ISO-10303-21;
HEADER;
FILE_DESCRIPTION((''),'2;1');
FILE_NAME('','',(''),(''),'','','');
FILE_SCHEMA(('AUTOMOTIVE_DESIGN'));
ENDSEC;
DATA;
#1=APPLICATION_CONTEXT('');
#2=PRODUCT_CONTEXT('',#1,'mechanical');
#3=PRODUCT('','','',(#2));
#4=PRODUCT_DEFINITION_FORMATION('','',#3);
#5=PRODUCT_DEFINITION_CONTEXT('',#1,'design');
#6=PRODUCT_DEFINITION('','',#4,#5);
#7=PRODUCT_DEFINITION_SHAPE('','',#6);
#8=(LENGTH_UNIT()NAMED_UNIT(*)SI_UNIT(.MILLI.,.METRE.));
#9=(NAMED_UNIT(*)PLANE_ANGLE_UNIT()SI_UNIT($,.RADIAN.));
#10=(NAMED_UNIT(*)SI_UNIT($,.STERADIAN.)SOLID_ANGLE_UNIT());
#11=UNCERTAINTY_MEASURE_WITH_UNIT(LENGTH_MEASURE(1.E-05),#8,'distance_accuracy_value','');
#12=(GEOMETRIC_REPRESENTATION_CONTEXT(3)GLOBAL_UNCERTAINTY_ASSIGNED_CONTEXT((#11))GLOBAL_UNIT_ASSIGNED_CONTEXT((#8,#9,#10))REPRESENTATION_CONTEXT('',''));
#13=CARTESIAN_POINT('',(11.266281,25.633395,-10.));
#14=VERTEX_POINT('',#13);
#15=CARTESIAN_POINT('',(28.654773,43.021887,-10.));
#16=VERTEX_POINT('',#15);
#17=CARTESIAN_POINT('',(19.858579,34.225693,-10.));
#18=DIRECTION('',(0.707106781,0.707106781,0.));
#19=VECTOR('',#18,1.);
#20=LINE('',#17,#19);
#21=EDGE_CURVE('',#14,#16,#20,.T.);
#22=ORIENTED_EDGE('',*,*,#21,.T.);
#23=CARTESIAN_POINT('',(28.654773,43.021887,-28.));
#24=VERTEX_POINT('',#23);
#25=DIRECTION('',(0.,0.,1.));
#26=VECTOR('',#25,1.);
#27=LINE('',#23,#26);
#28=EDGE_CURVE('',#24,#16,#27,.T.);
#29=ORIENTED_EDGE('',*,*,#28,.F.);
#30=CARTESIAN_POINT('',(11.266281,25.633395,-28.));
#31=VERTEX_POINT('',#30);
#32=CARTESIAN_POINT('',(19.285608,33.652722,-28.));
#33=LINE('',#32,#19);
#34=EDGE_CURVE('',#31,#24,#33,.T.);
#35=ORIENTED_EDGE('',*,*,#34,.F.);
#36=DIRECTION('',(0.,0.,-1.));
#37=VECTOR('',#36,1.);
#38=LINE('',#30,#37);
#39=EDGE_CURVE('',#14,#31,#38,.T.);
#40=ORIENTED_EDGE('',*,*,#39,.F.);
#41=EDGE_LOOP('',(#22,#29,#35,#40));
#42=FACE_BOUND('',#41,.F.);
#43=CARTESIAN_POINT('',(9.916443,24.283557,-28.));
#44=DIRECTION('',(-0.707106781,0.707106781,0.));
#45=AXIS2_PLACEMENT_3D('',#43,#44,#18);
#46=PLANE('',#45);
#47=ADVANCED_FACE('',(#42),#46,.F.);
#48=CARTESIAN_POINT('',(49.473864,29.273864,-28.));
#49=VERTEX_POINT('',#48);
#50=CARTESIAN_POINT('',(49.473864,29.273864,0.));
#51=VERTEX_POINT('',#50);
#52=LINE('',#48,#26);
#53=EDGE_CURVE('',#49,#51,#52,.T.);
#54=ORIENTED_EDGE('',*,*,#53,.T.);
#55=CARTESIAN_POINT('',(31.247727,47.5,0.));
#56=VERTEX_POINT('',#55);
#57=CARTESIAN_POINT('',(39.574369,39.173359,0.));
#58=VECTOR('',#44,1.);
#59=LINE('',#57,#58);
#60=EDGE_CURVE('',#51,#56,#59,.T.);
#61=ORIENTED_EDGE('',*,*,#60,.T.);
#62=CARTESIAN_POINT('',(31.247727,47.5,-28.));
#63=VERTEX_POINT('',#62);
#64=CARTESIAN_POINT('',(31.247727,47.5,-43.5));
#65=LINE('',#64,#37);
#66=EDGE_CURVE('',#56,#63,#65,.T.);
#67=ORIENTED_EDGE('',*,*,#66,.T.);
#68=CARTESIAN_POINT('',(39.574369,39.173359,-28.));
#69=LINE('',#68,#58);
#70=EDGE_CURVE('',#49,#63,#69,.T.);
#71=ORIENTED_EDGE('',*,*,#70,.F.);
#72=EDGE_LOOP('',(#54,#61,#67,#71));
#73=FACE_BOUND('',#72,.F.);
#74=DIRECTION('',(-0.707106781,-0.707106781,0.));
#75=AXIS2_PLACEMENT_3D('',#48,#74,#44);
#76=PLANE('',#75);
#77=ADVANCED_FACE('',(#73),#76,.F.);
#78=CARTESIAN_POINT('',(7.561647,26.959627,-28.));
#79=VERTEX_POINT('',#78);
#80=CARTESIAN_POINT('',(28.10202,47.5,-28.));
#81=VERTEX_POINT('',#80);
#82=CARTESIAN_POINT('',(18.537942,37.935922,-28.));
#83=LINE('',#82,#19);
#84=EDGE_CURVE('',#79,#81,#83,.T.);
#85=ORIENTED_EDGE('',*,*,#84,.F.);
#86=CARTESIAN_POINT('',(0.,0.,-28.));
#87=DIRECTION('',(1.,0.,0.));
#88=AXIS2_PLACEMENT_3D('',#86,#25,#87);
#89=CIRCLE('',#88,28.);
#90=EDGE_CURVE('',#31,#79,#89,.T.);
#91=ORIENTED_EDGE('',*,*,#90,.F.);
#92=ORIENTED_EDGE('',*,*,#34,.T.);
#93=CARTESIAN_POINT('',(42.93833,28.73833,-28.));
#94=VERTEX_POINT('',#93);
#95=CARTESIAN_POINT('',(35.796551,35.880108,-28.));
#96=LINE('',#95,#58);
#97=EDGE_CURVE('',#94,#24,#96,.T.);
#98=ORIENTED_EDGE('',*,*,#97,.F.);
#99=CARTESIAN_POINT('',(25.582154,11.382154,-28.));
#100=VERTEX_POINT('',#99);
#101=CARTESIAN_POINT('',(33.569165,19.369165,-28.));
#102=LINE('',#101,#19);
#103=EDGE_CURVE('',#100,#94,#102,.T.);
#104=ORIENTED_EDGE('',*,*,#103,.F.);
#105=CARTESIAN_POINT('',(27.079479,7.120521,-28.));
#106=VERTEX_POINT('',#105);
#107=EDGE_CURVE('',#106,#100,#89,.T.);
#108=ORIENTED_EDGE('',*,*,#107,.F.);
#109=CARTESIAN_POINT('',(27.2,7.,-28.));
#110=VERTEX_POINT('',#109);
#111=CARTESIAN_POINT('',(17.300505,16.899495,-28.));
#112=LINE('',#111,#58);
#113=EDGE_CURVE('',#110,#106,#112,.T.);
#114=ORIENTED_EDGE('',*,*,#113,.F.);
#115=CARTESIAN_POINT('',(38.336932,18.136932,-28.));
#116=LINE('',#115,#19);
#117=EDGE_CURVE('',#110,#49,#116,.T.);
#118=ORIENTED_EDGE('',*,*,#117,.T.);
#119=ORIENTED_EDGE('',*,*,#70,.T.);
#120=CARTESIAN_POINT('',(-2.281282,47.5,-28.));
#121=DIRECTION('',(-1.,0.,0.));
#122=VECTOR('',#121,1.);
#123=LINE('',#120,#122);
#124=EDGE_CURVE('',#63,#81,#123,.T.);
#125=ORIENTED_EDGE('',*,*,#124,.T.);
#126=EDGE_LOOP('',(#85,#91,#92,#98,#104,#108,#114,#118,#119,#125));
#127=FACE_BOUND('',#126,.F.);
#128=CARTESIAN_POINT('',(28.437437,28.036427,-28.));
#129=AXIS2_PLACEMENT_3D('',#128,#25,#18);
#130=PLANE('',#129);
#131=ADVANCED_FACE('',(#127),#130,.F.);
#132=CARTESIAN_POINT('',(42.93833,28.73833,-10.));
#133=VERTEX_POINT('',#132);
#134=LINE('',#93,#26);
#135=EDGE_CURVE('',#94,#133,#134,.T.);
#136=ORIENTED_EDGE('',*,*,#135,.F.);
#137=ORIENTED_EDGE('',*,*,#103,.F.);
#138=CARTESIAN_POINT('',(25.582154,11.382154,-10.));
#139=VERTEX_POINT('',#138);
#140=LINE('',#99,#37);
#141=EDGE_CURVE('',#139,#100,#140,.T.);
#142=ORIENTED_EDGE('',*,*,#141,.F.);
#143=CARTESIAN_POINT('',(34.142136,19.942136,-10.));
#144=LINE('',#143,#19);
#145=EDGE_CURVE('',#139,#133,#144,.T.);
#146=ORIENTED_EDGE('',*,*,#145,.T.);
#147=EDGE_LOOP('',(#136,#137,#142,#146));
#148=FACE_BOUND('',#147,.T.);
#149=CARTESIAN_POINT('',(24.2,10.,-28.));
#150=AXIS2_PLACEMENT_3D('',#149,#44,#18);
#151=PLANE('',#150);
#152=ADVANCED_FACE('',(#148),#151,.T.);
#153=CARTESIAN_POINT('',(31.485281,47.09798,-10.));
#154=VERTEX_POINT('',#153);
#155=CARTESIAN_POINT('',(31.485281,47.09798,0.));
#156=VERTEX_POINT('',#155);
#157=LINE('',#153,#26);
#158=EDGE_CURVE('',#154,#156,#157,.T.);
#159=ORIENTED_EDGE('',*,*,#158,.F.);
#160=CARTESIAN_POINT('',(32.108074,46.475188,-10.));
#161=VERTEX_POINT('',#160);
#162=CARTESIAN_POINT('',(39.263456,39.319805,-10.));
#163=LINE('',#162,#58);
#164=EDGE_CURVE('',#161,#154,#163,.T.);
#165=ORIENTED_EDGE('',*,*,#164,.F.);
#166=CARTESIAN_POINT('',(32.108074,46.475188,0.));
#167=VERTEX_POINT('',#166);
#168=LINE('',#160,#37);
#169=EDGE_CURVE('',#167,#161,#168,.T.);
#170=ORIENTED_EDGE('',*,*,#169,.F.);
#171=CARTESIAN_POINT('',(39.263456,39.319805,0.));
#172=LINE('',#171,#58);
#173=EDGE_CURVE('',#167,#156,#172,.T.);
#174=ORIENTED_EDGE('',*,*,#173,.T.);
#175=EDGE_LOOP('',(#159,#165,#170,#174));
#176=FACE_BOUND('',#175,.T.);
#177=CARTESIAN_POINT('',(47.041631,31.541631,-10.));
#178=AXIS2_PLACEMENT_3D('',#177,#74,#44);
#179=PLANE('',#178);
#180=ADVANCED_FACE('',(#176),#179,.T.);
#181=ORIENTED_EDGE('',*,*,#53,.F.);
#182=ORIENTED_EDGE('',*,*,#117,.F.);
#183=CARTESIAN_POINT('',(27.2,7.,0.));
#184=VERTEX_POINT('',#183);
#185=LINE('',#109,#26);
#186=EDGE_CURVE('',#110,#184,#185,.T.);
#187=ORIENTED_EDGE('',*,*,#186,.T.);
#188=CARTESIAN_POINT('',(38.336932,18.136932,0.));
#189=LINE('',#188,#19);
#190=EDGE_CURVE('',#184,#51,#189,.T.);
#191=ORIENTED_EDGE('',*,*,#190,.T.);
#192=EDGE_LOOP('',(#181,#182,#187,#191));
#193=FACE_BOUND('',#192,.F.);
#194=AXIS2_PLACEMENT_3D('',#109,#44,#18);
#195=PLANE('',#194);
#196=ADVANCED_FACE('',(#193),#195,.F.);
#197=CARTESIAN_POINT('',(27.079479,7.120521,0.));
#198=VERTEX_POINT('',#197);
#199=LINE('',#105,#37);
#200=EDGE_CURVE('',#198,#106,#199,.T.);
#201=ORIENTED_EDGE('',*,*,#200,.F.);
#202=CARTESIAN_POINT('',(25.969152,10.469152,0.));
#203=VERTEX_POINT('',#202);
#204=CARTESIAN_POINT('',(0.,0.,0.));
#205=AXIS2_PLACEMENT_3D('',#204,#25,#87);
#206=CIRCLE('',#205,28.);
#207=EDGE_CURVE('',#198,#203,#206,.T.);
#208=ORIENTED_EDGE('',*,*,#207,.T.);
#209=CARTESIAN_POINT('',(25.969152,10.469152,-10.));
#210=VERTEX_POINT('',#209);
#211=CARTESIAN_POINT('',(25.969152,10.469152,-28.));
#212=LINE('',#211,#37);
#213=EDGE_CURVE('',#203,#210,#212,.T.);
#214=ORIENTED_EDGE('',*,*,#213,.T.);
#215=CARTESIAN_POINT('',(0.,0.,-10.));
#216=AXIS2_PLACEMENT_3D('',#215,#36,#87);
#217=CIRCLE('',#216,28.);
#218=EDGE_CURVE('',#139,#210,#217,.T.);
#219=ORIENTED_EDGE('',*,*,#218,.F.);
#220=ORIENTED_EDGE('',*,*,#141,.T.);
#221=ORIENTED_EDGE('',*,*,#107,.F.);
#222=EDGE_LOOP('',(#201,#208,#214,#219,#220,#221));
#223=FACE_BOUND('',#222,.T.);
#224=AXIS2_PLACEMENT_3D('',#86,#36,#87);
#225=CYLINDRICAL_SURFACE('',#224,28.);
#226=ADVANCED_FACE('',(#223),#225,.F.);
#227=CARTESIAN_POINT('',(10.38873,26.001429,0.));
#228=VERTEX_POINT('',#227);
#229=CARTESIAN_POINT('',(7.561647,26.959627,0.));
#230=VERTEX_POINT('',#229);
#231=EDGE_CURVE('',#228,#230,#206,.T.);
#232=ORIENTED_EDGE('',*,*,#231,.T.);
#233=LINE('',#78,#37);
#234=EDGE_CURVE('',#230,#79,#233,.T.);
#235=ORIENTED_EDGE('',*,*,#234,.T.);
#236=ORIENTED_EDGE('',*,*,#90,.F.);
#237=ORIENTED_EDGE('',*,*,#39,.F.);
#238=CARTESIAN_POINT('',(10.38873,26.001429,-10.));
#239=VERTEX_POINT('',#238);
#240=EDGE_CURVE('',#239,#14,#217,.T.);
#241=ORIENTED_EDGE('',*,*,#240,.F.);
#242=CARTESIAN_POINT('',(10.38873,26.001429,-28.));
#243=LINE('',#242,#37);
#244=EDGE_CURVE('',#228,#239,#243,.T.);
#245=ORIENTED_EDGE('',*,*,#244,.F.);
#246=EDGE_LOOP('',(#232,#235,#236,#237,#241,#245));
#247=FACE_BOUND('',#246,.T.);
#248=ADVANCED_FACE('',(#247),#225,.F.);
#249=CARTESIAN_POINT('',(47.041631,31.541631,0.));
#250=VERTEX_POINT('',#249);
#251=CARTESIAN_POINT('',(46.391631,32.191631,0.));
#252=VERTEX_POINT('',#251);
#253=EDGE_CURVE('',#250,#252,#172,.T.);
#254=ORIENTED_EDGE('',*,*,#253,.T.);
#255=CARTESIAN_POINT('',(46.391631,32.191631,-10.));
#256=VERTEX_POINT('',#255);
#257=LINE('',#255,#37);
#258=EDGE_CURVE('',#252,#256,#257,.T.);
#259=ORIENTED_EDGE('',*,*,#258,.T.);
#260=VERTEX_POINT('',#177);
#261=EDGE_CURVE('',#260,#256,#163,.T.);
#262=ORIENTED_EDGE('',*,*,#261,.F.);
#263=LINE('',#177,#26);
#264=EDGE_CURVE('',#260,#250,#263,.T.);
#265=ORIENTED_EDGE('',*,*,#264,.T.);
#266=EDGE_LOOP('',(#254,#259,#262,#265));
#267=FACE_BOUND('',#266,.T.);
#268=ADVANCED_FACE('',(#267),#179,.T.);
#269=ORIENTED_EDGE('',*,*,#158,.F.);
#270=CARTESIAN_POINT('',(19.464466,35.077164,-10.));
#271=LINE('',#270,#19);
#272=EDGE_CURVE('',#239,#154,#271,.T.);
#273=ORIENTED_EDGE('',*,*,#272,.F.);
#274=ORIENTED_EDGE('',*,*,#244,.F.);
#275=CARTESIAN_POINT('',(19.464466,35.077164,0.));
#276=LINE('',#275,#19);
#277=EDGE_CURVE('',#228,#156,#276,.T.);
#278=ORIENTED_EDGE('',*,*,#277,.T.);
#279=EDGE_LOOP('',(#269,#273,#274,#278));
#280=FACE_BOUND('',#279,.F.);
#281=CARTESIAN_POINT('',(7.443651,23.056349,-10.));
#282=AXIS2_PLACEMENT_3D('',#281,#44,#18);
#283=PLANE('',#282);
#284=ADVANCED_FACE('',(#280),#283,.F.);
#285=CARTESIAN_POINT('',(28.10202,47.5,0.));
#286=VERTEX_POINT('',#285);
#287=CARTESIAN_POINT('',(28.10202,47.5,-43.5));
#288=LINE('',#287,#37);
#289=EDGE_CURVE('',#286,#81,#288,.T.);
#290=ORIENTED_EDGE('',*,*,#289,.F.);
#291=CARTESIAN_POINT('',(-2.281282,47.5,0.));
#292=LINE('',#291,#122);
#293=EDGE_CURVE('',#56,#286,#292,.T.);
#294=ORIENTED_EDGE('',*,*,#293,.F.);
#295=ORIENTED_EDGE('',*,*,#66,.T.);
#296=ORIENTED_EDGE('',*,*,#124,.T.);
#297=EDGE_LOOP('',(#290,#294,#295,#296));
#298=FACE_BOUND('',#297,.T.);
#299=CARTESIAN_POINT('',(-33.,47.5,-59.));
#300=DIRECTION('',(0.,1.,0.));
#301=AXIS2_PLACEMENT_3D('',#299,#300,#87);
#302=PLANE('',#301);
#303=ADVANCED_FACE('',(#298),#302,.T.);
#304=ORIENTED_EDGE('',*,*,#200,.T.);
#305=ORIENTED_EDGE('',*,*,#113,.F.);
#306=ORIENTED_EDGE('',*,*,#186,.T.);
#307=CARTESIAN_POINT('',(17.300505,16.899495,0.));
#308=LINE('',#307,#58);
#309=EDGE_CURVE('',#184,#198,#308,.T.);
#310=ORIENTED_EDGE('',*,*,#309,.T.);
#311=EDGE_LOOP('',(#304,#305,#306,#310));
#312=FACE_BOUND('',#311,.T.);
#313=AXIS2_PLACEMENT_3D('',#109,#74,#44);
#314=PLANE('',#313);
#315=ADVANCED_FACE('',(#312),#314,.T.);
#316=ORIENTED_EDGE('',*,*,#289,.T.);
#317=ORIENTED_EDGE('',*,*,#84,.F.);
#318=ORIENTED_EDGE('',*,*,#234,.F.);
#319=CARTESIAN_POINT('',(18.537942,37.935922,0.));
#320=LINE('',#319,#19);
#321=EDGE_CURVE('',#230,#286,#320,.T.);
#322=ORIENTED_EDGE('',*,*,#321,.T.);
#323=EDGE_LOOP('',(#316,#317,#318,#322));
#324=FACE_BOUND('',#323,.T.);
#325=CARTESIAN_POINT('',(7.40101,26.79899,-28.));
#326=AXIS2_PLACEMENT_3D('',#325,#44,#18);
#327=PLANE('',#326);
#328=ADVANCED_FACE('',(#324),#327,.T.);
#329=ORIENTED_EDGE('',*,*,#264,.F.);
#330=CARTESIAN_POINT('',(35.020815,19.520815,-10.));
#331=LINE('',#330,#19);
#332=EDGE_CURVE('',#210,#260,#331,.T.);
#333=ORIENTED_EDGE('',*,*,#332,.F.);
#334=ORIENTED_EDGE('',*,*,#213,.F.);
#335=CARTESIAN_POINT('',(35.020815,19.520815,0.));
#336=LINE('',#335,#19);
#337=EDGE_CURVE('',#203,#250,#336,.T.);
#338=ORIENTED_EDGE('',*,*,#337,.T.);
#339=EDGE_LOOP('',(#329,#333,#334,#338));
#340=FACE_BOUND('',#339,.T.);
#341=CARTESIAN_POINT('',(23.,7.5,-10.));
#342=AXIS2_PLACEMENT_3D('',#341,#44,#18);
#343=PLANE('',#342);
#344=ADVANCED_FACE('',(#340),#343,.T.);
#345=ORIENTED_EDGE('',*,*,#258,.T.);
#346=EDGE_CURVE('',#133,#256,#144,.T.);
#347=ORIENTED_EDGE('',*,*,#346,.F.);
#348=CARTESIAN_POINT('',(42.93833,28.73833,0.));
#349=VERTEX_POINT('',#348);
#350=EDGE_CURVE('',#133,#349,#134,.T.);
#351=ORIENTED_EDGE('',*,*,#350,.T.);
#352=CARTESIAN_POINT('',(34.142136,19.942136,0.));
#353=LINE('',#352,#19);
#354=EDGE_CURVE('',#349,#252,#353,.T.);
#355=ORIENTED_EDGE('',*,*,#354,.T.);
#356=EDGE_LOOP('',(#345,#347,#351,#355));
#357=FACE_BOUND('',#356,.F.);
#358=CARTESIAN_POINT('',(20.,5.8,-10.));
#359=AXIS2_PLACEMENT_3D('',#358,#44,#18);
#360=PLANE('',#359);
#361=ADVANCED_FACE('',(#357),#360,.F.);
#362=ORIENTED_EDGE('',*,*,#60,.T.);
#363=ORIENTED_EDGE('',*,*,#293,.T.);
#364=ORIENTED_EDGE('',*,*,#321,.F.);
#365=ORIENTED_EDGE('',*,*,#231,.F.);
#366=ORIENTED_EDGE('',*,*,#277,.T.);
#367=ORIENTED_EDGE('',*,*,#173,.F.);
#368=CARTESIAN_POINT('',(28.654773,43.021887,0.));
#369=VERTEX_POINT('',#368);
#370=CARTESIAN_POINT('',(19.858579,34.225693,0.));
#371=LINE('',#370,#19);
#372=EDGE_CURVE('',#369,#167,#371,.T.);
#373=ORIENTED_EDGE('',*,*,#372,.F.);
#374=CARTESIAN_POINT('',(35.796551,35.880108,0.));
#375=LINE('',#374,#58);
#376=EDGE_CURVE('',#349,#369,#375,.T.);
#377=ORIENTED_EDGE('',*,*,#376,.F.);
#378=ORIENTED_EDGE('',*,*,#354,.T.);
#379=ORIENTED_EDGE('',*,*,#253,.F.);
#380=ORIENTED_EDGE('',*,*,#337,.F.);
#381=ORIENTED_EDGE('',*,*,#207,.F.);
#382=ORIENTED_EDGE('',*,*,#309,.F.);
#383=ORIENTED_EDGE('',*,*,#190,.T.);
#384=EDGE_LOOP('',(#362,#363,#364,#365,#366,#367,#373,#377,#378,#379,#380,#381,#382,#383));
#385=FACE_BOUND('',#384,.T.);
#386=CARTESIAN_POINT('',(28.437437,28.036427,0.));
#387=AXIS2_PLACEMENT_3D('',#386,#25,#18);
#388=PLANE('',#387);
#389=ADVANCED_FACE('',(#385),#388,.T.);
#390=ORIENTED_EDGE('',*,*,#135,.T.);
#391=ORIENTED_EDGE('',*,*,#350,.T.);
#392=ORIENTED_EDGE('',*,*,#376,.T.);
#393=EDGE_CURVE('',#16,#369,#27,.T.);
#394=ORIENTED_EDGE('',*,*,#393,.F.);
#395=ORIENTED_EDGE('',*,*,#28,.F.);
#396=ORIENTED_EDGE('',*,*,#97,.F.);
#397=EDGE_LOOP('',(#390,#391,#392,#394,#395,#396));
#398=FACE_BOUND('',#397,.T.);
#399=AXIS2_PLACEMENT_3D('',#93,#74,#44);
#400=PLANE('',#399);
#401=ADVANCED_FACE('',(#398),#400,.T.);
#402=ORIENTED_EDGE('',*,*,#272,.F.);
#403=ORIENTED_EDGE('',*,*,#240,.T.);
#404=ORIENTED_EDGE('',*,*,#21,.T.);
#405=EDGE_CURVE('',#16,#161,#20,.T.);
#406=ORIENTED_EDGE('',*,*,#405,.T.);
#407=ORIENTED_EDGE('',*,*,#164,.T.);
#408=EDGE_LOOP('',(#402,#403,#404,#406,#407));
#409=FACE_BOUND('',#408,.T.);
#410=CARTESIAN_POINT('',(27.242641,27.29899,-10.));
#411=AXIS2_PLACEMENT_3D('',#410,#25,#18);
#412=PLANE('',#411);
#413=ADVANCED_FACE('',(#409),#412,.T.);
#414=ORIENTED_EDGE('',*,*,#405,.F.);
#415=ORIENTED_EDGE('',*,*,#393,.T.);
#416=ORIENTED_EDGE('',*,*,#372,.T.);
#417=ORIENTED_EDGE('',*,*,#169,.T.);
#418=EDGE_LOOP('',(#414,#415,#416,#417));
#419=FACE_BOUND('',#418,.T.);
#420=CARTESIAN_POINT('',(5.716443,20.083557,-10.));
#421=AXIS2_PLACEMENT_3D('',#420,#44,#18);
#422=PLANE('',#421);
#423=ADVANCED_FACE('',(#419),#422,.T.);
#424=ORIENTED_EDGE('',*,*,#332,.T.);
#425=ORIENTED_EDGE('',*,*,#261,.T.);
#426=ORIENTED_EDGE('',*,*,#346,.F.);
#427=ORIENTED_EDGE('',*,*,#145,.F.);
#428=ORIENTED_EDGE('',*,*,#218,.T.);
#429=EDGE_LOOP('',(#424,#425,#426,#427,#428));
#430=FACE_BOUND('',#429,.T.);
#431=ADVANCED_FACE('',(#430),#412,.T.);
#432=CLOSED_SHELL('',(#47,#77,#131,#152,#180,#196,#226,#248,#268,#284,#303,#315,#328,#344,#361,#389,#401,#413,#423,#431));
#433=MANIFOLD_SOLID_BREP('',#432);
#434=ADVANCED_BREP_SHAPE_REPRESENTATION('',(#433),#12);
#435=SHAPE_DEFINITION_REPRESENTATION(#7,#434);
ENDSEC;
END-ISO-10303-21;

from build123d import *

# Parameters (mm, degrees)
BOX037_W               = 100
BOX037_H               = 2
BOX037_DEPTH           = 60
CYLINDER090_R          = 28
CYLINDER090_DEPTH      = 28
BOX035_W               = 40
BOX035_H               = 20.2
BOX035_DEPTH           = 10
BOX035_PLACEMENT_ANGLE = 45
BOX036_W               = 34
BOX036_H               = 22
BOX036_DEPTH           = 10
BOX036_PLACEMENT_ANGLE = 45
BOX033_W               = 26.5
BOX033_H               = 20.2
BOX033_DEPTH           = 28
BOX033_PLACEMENT_ANGLE = 45
BOX034_W               = 31.5
BOX034_H               = 28
BOX034_DEPTH           = 28
BOX034_PLACEMENT_ANGLE = 45


with BuildPart() as face006:
    # Box037 → Box037 (new body)
    with BuildSketch(Plane(origin=(-33, 47.5, -59), x_dir=(1, 0, 0), z_dir=(0, 0, 1))):
        with Locations((50, 1)):
            Rectangle(BOX037_W, BOX037_H)
    extrude(amount=BOX037_DEPTH)


with BuildPart() as cylinder090:
    # Cylinder090 → Cylinder090 (new body)
    with BuildSketch(Plane.XY.offset(-28)):
        Circle(CYLINDER090_R)
    extrude(amount=CYLINDER090_DEPTH)


with BuildPart() as cube017:
    # Box035 → Box035 (new body)
    with BuildSketch(Plane.XY):
        with Locations((20, 10.1)):
            Rectangle(BOX035_W, BOX035_H)
    extrude(amount=BOX035_DEPTH)


with BuildPart() as cube017_1:
    # Box035 placement: moved
    add(cube017.part.moved(Location((20, 5.8, -10))).rotate(Axis((20, 5.8, -10), (0, 0, 1)), BOX035_PLACEMENT_ANGLE))


with BuildPart() as servo_secure002:
    # Box036 → Box036 (new body)
    with BuildSketch(Plane.XY):
        with Locations((17, 11)):
            Rectangle(BOX036_W, BOX036_H)
    extrude(amount=BOX036_DEPTH)


with BuildPart() as servo_secure002_1:
    # Box036 placement: moved
    add(servo_secure002.part.moved(Location((23, 7.5, -10))).rotate(Axis((23, 7.5, -10), (0, 0, 1)), BOX036_PLACEMENT_ANGLE))

    # Cut092: cut Cube017
    add(cube017_1.part, mode=Mode.SUBTRACT)


with BuildPart() as inner:
    # Box033 → Box033 (new body)
    with BuildSketch(Plane.XY):
        with Locations((13.25, 10.1)):
            Rectangle(BOX033_W, BOX033_H)
    extrude(amount=BOX033_DEPTH)


with BuildPart() as inner_1:
    # Box033 placement: moved
    add(inner.part.moved(Location((24.2, 10, -28))).rotate(Axis((24.2, 10, -28), (0, 0, 1)), BOX033_PLACEMENT_ANGLE))


with BuildPart() as cut095:
    # Box034 → Box034 (new body)
    with BuildSketch(Plane.XY):
        with Locations((15.75, 14)):
            Rectangle(BOX034_W, BOX034_H)
    extrude(amount=BOX034_DEPTH)


with BuildPart() as cut095_1:
    # Box034 placement: moved
    add(cut095.part.moved(Location((27.2, 7, -28))).rotate(Axis((27.2, 7, -28), (0, 0, 1)), BOX034_PLACEMENT_ANGLE))

    # Cut091: cut inner
    add(inner_1.part, mode=Mode.SUBTRACT)

    # Cut093: cut servo-secure002
    add(servo_secure002_1.part, mode=Mode.SUBTRACT)

    # Cut094: cut Cylinder090
    add(cylinder090.part, mode=Mode.SUBTRACT)

    # Cut095: cut face006
    add(face006.part, mode=Mode.SUBTRACT)


solid = cut095_1.part
